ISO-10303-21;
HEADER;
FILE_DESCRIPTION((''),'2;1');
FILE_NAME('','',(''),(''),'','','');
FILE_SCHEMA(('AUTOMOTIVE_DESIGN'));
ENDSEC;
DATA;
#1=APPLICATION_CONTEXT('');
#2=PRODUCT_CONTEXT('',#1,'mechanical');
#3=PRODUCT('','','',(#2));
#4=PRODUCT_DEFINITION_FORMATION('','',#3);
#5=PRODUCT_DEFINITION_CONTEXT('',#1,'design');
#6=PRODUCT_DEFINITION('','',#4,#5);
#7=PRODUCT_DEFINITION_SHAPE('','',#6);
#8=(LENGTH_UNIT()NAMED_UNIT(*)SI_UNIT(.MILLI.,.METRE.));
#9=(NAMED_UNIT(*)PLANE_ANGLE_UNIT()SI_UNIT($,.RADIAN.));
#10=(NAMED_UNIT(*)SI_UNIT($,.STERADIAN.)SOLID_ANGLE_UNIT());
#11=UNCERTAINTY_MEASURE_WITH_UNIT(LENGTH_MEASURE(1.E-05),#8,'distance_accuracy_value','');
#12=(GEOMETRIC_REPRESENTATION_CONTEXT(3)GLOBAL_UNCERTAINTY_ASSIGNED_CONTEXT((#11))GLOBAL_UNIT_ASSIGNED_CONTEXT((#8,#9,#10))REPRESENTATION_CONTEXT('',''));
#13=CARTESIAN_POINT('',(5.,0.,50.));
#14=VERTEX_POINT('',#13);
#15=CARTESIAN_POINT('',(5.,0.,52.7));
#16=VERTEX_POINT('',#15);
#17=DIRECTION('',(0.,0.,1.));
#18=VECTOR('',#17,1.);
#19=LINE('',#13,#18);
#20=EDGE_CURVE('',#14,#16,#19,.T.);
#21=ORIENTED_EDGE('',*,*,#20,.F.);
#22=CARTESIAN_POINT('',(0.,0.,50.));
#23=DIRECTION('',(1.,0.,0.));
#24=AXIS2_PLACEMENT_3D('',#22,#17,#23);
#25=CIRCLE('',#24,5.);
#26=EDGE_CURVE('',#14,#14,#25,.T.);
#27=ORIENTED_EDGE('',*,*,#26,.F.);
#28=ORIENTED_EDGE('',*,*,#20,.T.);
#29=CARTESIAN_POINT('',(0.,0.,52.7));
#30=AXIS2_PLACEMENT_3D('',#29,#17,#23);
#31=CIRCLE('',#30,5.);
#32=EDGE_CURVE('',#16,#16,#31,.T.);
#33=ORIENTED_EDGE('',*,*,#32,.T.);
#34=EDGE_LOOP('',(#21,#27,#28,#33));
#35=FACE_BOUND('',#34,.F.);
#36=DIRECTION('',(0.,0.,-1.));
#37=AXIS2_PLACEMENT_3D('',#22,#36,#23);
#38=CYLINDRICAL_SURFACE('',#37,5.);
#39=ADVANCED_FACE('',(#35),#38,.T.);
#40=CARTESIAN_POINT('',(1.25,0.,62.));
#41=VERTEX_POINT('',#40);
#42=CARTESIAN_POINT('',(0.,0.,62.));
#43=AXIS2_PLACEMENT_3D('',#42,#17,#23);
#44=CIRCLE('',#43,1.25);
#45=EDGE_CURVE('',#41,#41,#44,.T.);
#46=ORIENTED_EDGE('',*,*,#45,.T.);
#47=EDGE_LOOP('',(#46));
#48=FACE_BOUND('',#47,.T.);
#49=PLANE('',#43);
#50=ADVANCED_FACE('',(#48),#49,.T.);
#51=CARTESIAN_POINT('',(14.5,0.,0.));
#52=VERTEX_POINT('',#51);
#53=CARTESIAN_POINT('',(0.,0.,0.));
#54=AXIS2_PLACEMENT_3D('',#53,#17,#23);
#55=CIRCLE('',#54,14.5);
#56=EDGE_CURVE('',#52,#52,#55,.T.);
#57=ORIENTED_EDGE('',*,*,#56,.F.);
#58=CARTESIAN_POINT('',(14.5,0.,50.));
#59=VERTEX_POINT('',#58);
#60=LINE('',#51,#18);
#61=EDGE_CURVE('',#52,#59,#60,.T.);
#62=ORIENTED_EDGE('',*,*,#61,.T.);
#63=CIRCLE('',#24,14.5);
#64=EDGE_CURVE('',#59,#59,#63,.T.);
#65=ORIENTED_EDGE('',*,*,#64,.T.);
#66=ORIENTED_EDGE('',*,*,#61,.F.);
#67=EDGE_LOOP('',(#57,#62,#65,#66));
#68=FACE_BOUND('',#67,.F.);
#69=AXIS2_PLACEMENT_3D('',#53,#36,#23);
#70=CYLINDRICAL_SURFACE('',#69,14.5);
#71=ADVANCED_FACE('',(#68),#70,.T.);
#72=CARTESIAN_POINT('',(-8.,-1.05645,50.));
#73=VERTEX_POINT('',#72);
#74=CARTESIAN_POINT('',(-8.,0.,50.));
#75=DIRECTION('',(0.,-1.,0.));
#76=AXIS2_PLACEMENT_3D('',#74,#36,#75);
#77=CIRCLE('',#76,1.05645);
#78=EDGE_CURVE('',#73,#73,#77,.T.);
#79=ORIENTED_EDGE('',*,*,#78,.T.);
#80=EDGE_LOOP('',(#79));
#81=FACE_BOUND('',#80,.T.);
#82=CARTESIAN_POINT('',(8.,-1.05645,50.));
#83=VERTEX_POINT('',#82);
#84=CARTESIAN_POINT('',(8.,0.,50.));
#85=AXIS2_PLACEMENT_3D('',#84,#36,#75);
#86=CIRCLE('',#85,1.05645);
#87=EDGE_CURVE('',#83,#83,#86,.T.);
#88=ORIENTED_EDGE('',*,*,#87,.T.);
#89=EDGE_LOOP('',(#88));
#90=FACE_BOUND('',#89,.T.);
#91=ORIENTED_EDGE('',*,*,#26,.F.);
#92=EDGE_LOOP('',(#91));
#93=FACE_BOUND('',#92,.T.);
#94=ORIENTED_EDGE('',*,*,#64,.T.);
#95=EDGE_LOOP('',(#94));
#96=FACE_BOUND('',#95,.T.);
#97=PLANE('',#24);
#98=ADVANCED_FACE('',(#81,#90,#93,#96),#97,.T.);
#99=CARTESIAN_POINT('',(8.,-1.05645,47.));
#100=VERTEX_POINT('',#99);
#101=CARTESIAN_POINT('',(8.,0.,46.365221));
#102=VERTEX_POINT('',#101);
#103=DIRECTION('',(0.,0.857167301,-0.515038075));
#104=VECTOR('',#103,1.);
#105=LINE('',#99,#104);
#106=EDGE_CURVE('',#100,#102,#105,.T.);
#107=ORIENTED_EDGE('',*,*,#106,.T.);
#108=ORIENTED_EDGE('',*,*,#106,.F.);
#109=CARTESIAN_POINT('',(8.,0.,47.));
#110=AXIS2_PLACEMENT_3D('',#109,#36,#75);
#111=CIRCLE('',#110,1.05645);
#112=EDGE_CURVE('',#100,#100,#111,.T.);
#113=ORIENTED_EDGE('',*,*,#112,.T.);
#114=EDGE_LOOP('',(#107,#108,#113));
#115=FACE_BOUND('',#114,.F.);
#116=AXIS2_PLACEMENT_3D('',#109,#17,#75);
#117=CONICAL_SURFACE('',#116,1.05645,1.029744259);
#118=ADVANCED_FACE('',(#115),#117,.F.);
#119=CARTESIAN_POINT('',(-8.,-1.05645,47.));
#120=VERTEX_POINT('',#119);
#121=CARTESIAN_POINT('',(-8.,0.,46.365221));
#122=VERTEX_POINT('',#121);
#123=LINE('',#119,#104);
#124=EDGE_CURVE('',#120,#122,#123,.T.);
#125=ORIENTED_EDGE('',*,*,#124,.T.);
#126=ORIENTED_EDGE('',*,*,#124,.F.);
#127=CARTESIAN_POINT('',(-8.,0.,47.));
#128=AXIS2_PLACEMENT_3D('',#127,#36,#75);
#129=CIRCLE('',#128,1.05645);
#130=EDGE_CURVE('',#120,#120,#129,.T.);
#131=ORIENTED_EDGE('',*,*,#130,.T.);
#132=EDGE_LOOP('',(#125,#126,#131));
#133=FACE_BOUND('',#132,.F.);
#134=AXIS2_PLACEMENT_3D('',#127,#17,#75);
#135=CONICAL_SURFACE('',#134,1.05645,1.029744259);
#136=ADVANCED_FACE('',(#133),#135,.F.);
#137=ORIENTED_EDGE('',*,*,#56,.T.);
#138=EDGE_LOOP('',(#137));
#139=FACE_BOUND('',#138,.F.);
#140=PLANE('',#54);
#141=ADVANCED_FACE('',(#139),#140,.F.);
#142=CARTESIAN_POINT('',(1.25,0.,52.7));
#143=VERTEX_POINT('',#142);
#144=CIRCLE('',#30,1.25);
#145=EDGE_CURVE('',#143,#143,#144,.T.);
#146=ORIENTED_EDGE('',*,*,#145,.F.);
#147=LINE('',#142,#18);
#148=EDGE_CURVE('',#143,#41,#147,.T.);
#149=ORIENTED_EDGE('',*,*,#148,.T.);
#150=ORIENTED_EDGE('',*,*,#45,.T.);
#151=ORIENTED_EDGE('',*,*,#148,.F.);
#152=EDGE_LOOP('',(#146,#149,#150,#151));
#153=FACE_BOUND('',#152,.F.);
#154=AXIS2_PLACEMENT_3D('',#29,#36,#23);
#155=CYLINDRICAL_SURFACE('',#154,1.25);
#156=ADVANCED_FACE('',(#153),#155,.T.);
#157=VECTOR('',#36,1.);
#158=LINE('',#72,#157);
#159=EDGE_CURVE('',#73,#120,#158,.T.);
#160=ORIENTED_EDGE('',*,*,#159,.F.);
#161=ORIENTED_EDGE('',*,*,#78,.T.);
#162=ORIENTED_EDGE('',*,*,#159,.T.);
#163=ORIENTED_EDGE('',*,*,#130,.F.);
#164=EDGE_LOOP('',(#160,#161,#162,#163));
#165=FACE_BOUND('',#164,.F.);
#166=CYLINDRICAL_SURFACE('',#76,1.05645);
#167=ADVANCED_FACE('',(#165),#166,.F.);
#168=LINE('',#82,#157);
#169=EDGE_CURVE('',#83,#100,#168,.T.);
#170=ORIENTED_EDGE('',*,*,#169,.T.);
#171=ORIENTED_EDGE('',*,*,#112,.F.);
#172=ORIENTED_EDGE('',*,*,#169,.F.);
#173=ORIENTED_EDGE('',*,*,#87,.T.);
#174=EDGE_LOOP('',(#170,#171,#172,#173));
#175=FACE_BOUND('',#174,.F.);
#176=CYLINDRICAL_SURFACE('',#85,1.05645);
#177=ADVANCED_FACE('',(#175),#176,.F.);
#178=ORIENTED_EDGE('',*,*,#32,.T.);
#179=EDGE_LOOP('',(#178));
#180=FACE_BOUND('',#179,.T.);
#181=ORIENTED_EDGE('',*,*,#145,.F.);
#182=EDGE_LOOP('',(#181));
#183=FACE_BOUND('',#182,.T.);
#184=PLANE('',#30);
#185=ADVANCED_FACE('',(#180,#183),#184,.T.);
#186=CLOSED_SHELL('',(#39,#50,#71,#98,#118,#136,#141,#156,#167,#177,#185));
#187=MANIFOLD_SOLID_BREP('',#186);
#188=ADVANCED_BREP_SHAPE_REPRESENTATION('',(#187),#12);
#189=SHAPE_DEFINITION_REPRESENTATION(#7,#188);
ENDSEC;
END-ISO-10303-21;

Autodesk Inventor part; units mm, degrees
ref_plane "YZ Plane" through (0, 0, 0) normal (1, 0, 0) x (0, 1, 0)
ref_plane "XZ Plane" through (0, 0, 0) normal (0, 1, 0) x (-1, 0, 0)
ref_plane "XY Plane" through (0, 0, 0) normal (0, 0, 1) x (1, 0, 0)
sketch "スケッチ1" plane through (0, 0, 0) normal (0, 0, 1) x (1, 0, 0)
  circle A0 centre (0, 0) radius 14.5
  dimension "d0" = 29
extrude "押し出し1" add sketch "スケッチ1" along normal blind 50
sketch "スケッチ2" plane through (0, 0, 50) normal (0, 0, 1) x (1, 0, 0)
  circle A0 centre (0, 0) radius 5
  dimension "d3" = 10
extrude "押し出し2" add sketch "スケッチ2" along normal blind 2.7
sketch "スケッチ3" plane through (0, 0, 52.7) normal (0, 0, 1) x (1, 0, 0)
  circle A0 centre (0, 0) radius 1.25
  dimension "d6" = 2.5
extrude "押し出し3" add sketch "スケッチ3" along normal blind 9.3
sketch "スケッチ4" plane through (0, 0, 50) normal (0, 0, 1) x (1, 0, 0)
  circle A0 centre (0, 0) radius 14.5 projected
  line L0 (0, 14.5) -> (0, -14.5)
  point P0 (-8, 0)
  point P1 (8, 0)
  dimension "d9" = 16
hole "穴1" at (-8, 0, 50) at (8, 0, 50) direction (0, 0, -1) diameter 2.1129 depth 3 tip angle 118 thread size "M2.6x0.45" class "6H" standard "ISO Metric profile"
properties part number "RD008"
